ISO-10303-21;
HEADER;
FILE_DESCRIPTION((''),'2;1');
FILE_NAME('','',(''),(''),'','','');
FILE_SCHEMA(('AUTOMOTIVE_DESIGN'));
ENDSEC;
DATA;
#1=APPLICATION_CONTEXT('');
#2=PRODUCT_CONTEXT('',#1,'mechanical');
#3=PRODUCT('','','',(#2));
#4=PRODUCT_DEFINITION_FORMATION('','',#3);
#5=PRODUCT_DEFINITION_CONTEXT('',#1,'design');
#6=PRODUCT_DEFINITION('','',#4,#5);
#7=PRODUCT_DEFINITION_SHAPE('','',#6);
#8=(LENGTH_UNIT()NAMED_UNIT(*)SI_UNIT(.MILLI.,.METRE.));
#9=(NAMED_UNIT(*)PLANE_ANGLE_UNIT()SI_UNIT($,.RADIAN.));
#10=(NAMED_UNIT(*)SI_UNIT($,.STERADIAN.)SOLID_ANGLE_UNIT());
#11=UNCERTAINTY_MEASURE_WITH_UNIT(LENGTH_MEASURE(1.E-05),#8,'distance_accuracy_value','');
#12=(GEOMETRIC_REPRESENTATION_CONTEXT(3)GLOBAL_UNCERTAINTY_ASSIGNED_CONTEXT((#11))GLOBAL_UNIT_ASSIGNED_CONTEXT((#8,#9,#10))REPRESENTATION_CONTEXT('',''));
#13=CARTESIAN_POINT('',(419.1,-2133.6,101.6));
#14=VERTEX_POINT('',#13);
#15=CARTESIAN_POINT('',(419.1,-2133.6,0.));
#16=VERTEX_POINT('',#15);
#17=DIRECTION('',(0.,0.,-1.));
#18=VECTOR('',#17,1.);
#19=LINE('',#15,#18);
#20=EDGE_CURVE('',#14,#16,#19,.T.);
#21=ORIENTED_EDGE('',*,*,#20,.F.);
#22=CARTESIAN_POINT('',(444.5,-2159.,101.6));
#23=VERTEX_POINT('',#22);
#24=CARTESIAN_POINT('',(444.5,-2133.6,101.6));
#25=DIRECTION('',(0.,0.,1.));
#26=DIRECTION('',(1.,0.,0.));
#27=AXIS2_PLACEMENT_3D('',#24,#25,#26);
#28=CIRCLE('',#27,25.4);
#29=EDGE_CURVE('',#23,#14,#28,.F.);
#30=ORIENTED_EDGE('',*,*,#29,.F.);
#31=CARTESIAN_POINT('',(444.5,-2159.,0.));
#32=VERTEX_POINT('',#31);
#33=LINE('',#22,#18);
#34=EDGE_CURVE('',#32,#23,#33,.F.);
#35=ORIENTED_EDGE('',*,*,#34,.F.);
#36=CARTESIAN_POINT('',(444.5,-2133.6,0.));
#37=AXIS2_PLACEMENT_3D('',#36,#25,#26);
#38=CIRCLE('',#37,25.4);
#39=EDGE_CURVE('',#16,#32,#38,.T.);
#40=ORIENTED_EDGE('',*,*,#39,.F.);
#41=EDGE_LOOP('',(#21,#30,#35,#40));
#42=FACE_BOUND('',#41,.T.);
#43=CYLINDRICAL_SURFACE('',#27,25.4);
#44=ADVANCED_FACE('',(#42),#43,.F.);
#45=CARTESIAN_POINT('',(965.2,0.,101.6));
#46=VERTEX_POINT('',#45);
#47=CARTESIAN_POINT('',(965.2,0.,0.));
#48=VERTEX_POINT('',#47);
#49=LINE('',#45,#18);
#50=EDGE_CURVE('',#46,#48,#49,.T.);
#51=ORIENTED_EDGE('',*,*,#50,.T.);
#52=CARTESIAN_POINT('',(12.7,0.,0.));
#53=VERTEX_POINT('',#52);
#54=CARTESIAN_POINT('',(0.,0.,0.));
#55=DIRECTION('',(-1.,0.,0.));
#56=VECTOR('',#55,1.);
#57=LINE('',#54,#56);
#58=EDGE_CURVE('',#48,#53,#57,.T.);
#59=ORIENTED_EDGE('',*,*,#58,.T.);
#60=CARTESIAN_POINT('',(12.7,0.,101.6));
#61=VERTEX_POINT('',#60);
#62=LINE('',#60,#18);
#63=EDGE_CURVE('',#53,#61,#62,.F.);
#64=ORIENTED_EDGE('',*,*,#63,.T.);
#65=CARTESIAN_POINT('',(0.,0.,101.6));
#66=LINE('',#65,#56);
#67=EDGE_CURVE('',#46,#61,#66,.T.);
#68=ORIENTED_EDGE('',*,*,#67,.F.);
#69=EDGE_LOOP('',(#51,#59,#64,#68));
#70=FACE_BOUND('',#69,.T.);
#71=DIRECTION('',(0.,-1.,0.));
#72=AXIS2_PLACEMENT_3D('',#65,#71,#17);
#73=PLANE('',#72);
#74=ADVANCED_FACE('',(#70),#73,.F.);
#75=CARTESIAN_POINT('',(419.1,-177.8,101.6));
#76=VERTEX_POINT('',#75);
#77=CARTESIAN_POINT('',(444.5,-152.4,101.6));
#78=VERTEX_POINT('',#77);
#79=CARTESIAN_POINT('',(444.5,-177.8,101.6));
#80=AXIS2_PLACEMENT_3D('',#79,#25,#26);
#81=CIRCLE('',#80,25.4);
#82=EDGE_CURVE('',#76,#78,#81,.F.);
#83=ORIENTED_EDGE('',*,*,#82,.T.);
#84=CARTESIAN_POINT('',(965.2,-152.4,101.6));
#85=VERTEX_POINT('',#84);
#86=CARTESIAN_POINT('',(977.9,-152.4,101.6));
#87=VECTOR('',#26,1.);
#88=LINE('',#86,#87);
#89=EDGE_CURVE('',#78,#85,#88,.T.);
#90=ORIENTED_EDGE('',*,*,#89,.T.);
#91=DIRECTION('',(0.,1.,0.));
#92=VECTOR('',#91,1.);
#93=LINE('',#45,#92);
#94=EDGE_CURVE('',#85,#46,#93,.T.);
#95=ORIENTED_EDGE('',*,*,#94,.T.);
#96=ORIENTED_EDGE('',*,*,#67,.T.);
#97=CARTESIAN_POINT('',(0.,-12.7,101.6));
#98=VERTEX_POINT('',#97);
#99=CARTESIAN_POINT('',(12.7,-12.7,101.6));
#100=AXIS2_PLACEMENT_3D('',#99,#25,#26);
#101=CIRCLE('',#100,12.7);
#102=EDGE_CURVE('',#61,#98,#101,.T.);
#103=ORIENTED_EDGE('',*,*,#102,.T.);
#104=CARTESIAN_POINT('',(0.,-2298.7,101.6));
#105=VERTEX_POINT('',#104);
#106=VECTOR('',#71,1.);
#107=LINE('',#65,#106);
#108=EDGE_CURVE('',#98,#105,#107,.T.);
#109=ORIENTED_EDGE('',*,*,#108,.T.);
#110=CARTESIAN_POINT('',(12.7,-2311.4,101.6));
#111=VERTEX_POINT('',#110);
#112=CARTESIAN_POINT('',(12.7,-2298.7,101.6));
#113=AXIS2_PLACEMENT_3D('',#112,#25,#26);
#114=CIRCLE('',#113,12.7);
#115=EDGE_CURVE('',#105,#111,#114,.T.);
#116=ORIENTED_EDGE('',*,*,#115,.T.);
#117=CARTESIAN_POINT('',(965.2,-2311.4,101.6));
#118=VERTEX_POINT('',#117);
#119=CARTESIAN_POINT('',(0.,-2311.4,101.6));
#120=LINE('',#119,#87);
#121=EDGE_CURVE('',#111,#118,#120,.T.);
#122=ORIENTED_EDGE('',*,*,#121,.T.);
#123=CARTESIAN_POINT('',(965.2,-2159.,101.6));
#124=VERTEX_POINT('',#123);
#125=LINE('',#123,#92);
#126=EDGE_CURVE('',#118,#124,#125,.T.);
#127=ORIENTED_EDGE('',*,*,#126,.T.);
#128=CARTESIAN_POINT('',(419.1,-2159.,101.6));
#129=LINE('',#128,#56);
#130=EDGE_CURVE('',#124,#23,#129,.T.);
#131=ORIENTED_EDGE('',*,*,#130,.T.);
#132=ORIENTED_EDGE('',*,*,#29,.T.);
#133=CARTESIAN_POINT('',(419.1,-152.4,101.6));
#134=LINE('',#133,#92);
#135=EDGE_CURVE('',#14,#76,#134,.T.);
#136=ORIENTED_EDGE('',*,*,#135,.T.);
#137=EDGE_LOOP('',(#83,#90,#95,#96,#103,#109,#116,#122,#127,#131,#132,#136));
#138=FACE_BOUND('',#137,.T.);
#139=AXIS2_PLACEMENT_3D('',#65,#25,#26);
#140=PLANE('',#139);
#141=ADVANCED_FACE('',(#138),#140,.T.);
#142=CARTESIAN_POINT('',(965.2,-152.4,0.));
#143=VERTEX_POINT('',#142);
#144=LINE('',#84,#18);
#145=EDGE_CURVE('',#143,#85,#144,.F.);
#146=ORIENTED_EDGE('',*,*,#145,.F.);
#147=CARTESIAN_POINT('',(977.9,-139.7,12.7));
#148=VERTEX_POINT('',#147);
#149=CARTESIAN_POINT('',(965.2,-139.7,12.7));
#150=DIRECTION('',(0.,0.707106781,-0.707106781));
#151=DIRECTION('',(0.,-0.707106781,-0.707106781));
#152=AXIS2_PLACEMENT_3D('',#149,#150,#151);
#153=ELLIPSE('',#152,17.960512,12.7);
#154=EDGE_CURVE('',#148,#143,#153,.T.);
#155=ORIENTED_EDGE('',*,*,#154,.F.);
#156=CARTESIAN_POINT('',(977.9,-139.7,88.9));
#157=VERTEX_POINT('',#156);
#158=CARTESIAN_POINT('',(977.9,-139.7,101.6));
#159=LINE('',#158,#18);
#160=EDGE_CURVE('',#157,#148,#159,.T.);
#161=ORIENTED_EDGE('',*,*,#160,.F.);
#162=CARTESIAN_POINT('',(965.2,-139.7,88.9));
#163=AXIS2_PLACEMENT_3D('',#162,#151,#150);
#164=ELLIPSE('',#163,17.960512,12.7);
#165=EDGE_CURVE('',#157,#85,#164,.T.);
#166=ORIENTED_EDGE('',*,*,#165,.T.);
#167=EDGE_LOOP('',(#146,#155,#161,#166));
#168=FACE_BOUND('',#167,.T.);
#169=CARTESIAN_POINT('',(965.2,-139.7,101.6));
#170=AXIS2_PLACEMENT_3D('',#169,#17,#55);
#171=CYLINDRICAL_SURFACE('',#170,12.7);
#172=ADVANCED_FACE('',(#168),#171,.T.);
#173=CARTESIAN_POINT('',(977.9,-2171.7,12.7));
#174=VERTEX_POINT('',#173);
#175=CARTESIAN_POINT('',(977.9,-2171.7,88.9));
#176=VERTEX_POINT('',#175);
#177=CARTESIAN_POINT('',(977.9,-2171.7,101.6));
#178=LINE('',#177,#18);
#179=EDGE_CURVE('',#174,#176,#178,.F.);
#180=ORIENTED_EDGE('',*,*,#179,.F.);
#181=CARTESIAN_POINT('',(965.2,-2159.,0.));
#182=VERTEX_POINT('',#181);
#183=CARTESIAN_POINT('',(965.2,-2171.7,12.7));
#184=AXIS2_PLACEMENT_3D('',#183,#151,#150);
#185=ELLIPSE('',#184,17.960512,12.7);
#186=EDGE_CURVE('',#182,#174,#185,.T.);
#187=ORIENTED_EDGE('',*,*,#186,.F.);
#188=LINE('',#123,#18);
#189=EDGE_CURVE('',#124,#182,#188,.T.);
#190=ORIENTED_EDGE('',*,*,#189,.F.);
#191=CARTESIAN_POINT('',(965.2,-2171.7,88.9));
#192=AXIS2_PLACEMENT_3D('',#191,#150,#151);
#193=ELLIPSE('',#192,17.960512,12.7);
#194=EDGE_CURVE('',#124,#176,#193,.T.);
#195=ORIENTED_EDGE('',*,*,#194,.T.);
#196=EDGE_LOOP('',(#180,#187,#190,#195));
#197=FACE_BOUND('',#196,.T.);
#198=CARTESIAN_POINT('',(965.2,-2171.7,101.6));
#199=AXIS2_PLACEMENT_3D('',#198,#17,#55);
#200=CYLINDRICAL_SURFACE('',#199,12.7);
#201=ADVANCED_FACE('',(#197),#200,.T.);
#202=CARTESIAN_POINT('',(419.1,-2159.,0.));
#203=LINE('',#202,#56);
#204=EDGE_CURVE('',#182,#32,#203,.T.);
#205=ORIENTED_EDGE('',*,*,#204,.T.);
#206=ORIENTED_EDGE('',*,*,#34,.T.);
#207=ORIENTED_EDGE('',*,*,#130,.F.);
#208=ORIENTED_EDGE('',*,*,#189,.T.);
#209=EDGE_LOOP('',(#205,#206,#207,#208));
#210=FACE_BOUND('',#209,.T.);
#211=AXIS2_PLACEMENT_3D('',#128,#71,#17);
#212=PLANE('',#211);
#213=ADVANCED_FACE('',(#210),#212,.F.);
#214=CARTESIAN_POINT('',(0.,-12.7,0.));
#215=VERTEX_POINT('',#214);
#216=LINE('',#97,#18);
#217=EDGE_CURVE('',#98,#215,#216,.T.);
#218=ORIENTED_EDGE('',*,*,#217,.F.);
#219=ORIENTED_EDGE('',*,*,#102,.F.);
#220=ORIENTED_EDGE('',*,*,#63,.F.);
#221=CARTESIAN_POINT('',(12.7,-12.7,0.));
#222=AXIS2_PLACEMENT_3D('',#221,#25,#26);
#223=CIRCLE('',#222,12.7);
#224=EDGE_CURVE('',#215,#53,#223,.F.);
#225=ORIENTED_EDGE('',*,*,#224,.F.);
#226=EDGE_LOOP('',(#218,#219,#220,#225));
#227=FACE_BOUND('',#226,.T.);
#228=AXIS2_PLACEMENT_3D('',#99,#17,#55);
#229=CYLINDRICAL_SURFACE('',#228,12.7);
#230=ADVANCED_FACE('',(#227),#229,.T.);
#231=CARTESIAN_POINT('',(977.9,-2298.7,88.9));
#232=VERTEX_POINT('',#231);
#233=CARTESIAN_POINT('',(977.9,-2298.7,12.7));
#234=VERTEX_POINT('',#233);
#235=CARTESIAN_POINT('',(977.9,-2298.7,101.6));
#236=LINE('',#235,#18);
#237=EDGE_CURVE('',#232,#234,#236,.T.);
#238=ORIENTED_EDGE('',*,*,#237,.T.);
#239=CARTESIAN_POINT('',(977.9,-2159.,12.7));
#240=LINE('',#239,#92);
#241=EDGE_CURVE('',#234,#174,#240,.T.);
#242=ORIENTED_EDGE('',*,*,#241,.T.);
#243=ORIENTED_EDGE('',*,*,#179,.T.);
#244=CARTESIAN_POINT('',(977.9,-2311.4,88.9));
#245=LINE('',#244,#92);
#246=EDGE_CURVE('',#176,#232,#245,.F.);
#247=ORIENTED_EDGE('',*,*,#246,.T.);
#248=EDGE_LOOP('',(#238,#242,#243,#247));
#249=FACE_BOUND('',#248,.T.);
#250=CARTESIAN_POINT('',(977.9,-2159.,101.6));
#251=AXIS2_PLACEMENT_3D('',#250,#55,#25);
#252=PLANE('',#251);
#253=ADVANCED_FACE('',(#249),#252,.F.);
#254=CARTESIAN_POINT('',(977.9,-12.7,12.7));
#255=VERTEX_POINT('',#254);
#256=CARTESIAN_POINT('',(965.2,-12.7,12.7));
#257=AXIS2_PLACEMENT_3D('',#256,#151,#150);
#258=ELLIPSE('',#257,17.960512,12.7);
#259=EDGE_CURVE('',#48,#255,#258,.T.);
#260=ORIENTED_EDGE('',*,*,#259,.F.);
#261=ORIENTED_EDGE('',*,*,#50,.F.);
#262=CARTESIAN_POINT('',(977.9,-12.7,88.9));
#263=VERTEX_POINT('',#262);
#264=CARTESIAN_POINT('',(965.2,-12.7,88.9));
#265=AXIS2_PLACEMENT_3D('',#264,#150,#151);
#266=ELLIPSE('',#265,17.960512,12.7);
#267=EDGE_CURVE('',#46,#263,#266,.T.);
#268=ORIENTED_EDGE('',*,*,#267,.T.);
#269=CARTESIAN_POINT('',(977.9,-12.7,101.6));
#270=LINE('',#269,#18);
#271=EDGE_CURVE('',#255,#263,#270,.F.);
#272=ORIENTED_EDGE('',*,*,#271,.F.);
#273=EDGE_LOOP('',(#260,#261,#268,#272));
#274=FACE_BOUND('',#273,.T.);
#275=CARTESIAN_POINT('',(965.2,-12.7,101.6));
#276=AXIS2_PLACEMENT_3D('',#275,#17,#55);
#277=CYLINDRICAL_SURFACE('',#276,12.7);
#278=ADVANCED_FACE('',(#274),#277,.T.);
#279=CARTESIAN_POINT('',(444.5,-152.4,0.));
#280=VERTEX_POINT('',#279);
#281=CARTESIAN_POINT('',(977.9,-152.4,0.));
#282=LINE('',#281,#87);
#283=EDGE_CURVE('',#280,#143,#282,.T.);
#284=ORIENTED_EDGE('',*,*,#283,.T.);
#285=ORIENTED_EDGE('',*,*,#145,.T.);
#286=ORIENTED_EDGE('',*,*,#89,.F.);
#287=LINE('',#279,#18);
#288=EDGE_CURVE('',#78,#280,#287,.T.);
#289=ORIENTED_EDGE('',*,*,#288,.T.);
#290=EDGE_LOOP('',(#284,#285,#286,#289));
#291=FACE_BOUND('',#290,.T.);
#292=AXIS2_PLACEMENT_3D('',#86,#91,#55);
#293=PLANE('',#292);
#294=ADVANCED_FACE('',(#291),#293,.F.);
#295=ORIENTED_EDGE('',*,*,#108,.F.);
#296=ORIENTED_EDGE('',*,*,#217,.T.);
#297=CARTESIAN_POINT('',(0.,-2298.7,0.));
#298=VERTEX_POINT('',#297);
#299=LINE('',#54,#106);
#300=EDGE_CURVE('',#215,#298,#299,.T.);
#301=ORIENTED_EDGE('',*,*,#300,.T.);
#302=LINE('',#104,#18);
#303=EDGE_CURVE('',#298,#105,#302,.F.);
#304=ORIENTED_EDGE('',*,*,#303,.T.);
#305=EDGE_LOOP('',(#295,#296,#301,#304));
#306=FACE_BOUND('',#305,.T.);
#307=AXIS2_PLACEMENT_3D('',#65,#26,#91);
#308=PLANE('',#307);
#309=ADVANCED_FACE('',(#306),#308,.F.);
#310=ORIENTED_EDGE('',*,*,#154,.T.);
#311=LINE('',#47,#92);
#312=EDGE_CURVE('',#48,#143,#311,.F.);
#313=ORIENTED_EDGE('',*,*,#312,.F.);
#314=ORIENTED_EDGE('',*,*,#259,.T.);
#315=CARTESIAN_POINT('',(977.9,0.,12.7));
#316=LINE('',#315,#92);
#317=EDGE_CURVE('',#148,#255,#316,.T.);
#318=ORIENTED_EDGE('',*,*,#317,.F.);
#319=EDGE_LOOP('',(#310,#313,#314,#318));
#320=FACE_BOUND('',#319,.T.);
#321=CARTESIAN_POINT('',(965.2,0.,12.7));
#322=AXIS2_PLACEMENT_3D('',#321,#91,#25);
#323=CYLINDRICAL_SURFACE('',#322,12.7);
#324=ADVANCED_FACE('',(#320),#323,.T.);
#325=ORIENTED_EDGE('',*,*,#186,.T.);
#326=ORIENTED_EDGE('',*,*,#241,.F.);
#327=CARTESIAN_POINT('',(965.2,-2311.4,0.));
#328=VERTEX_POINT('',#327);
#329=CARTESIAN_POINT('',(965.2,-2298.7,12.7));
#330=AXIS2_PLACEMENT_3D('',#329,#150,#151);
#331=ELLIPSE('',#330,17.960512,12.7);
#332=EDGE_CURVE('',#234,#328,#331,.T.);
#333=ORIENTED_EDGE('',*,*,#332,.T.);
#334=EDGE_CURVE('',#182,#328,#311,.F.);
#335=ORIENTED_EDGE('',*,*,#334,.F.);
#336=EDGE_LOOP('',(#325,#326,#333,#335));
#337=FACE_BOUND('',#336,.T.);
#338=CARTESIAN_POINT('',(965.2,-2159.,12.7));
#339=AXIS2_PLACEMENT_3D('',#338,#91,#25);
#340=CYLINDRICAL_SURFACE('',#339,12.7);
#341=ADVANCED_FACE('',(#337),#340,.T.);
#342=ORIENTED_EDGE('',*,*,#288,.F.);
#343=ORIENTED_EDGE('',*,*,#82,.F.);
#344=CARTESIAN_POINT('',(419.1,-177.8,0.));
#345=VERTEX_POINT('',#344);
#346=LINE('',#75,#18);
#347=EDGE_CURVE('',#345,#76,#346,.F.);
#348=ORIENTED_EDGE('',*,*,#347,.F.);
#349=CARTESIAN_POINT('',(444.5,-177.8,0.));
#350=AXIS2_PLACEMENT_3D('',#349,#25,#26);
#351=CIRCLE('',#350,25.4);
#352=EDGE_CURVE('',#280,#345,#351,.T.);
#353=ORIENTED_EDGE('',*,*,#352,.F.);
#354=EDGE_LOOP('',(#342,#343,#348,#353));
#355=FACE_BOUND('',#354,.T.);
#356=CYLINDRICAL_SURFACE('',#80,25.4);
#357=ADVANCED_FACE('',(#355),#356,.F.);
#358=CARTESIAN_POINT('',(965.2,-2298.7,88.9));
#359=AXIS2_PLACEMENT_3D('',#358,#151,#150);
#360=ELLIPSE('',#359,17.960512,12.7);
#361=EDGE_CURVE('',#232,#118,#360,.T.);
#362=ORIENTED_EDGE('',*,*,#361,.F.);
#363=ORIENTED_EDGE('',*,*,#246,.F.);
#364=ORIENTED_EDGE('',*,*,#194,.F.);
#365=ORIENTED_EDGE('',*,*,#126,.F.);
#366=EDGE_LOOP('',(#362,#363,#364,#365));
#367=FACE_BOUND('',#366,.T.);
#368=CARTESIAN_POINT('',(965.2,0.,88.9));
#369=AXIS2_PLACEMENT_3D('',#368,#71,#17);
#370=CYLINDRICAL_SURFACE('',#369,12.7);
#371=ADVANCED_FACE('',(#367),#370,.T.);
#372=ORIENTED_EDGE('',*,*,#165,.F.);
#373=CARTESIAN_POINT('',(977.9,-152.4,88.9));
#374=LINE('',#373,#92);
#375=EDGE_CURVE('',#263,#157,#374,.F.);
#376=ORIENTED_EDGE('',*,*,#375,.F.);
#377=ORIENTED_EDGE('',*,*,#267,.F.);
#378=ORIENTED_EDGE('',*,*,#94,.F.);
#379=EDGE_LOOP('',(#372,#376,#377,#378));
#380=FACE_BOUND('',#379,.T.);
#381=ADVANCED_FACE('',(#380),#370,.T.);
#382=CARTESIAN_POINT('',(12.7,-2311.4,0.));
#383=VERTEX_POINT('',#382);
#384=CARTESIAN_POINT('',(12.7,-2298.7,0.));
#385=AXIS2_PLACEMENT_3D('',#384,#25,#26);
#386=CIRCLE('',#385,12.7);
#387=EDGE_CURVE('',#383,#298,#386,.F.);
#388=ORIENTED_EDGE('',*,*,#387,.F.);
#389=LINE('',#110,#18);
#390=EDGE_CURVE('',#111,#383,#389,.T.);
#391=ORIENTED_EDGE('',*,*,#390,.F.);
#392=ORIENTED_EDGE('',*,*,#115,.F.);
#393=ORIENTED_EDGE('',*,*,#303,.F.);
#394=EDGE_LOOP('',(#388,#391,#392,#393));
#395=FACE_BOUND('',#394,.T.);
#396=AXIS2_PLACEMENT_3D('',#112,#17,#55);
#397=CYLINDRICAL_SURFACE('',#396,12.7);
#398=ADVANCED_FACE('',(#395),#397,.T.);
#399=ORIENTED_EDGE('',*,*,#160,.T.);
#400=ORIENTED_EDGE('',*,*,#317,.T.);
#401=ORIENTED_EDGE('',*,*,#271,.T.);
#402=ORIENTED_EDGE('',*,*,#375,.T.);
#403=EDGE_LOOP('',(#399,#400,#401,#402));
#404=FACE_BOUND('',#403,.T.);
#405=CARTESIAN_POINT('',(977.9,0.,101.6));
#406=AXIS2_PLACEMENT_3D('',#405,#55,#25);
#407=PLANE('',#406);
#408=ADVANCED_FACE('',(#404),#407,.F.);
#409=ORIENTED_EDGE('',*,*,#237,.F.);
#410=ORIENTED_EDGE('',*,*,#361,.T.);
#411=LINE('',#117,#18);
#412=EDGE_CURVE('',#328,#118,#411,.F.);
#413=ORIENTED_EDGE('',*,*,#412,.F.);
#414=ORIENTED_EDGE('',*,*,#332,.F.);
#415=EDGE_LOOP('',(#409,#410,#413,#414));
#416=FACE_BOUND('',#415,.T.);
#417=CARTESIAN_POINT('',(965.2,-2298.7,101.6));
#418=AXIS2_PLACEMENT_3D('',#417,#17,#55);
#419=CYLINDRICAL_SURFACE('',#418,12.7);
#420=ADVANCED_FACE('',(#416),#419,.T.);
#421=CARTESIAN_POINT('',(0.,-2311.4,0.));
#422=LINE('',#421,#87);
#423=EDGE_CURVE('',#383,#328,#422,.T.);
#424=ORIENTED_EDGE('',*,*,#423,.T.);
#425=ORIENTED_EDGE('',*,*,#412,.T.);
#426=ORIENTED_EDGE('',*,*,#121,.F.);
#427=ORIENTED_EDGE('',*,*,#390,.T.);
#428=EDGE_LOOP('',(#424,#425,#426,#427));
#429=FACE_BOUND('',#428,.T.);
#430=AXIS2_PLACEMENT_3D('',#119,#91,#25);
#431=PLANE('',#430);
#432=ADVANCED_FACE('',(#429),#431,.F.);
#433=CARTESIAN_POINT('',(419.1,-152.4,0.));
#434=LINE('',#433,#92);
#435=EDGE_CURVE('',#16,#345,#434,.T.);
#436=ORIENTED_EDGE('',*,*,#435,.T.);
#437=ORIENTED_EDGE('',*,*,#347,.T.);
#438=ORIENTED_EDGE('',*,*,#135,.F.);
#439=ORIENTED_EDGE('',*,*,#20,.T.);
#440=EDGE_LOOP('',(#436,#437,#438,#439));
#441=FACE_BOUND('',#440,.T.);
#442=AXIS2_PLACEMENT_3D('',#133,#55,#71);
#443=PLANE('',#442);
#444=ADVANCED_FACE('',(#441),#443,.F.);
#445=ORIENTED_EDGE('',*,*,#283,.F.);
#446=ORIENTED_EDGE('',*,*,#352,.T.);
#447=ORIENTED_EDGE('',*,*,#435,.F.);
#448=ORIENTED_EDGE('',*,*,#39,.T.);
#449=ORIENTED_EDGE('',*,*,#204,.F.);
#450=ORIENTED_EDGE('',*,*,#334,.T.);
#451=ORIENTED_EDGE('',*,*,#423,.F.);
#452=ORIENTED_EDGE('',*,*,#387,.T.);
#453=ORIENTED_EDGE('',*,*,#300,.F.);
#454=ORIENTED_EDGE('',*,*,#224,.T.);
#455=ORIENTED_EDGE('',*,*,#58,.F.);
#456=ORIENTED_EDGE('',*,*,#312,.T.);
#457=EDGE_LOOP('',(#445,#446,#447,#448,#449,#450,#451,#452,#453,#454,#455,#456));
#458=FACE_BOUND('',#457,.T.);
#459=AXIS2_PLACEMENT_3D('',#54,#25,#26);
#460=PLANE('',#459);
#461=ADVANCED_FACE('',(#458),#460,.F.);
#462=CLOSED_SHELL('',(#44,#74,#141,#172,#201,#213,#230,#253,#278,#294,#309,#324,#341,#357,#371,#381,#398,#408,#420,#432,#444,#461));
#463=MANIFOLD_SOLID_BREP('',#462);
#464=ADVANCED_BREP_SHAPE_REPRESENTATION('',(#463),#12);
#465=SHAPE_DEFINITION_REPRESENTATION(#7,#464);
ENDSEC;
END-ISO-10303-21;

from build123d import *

# Parameters (mm, degrees)
BOSS_EXTRUDE1_DEPTH = 101.6
FILLET1_R           = 25.4
FILLET2_R           = 12.7


with BuildPart() as part:
    # Sketch1 → Boss-Extrude1 (new body)
    with BuildSketch(Plane.XY):
        Polygon((977.9, -152.4), (419.1, -152.4), (419.1, -2159), (977.9, -2159), (977.9, -2311.4), (0, -2311.4), (0, 0), (977.9, 0), align=None)
    extrude(amount=BOSS_EXTRUDE1_DEPTH)

    # Fillet1
    fillet1_edges = [part.edges().sort_by_distance(p)[0] for p in [
        (419.1, -152.4, 50.8),
        (419.1, -2159, 50.8),
    ]]
    fillet(fillet1_edges, radius=FILLET1_R)

    # Fillet2
    fillet2_edges = [part.edges().sort_by_distance(p)[0] for p in [
        (977.9, -2235.2, 101.6),
        (0, 0, 50.8),
        (977.9, 0, 50.8),
        (977.9, -152.4, 50.8),
        (977.9, -2159, 50.8),
        (977.9, -2311.4, 50.8),
        (0, -2311.4, 50.8),
        (977.9, -76.2, 101.6),
        (977.9, -76.2, 0),
        (977.9, -2235.2, 0),
    ]]
    fillet(fillet2_edges, radius=FILLET2_R)


solid = part.part
